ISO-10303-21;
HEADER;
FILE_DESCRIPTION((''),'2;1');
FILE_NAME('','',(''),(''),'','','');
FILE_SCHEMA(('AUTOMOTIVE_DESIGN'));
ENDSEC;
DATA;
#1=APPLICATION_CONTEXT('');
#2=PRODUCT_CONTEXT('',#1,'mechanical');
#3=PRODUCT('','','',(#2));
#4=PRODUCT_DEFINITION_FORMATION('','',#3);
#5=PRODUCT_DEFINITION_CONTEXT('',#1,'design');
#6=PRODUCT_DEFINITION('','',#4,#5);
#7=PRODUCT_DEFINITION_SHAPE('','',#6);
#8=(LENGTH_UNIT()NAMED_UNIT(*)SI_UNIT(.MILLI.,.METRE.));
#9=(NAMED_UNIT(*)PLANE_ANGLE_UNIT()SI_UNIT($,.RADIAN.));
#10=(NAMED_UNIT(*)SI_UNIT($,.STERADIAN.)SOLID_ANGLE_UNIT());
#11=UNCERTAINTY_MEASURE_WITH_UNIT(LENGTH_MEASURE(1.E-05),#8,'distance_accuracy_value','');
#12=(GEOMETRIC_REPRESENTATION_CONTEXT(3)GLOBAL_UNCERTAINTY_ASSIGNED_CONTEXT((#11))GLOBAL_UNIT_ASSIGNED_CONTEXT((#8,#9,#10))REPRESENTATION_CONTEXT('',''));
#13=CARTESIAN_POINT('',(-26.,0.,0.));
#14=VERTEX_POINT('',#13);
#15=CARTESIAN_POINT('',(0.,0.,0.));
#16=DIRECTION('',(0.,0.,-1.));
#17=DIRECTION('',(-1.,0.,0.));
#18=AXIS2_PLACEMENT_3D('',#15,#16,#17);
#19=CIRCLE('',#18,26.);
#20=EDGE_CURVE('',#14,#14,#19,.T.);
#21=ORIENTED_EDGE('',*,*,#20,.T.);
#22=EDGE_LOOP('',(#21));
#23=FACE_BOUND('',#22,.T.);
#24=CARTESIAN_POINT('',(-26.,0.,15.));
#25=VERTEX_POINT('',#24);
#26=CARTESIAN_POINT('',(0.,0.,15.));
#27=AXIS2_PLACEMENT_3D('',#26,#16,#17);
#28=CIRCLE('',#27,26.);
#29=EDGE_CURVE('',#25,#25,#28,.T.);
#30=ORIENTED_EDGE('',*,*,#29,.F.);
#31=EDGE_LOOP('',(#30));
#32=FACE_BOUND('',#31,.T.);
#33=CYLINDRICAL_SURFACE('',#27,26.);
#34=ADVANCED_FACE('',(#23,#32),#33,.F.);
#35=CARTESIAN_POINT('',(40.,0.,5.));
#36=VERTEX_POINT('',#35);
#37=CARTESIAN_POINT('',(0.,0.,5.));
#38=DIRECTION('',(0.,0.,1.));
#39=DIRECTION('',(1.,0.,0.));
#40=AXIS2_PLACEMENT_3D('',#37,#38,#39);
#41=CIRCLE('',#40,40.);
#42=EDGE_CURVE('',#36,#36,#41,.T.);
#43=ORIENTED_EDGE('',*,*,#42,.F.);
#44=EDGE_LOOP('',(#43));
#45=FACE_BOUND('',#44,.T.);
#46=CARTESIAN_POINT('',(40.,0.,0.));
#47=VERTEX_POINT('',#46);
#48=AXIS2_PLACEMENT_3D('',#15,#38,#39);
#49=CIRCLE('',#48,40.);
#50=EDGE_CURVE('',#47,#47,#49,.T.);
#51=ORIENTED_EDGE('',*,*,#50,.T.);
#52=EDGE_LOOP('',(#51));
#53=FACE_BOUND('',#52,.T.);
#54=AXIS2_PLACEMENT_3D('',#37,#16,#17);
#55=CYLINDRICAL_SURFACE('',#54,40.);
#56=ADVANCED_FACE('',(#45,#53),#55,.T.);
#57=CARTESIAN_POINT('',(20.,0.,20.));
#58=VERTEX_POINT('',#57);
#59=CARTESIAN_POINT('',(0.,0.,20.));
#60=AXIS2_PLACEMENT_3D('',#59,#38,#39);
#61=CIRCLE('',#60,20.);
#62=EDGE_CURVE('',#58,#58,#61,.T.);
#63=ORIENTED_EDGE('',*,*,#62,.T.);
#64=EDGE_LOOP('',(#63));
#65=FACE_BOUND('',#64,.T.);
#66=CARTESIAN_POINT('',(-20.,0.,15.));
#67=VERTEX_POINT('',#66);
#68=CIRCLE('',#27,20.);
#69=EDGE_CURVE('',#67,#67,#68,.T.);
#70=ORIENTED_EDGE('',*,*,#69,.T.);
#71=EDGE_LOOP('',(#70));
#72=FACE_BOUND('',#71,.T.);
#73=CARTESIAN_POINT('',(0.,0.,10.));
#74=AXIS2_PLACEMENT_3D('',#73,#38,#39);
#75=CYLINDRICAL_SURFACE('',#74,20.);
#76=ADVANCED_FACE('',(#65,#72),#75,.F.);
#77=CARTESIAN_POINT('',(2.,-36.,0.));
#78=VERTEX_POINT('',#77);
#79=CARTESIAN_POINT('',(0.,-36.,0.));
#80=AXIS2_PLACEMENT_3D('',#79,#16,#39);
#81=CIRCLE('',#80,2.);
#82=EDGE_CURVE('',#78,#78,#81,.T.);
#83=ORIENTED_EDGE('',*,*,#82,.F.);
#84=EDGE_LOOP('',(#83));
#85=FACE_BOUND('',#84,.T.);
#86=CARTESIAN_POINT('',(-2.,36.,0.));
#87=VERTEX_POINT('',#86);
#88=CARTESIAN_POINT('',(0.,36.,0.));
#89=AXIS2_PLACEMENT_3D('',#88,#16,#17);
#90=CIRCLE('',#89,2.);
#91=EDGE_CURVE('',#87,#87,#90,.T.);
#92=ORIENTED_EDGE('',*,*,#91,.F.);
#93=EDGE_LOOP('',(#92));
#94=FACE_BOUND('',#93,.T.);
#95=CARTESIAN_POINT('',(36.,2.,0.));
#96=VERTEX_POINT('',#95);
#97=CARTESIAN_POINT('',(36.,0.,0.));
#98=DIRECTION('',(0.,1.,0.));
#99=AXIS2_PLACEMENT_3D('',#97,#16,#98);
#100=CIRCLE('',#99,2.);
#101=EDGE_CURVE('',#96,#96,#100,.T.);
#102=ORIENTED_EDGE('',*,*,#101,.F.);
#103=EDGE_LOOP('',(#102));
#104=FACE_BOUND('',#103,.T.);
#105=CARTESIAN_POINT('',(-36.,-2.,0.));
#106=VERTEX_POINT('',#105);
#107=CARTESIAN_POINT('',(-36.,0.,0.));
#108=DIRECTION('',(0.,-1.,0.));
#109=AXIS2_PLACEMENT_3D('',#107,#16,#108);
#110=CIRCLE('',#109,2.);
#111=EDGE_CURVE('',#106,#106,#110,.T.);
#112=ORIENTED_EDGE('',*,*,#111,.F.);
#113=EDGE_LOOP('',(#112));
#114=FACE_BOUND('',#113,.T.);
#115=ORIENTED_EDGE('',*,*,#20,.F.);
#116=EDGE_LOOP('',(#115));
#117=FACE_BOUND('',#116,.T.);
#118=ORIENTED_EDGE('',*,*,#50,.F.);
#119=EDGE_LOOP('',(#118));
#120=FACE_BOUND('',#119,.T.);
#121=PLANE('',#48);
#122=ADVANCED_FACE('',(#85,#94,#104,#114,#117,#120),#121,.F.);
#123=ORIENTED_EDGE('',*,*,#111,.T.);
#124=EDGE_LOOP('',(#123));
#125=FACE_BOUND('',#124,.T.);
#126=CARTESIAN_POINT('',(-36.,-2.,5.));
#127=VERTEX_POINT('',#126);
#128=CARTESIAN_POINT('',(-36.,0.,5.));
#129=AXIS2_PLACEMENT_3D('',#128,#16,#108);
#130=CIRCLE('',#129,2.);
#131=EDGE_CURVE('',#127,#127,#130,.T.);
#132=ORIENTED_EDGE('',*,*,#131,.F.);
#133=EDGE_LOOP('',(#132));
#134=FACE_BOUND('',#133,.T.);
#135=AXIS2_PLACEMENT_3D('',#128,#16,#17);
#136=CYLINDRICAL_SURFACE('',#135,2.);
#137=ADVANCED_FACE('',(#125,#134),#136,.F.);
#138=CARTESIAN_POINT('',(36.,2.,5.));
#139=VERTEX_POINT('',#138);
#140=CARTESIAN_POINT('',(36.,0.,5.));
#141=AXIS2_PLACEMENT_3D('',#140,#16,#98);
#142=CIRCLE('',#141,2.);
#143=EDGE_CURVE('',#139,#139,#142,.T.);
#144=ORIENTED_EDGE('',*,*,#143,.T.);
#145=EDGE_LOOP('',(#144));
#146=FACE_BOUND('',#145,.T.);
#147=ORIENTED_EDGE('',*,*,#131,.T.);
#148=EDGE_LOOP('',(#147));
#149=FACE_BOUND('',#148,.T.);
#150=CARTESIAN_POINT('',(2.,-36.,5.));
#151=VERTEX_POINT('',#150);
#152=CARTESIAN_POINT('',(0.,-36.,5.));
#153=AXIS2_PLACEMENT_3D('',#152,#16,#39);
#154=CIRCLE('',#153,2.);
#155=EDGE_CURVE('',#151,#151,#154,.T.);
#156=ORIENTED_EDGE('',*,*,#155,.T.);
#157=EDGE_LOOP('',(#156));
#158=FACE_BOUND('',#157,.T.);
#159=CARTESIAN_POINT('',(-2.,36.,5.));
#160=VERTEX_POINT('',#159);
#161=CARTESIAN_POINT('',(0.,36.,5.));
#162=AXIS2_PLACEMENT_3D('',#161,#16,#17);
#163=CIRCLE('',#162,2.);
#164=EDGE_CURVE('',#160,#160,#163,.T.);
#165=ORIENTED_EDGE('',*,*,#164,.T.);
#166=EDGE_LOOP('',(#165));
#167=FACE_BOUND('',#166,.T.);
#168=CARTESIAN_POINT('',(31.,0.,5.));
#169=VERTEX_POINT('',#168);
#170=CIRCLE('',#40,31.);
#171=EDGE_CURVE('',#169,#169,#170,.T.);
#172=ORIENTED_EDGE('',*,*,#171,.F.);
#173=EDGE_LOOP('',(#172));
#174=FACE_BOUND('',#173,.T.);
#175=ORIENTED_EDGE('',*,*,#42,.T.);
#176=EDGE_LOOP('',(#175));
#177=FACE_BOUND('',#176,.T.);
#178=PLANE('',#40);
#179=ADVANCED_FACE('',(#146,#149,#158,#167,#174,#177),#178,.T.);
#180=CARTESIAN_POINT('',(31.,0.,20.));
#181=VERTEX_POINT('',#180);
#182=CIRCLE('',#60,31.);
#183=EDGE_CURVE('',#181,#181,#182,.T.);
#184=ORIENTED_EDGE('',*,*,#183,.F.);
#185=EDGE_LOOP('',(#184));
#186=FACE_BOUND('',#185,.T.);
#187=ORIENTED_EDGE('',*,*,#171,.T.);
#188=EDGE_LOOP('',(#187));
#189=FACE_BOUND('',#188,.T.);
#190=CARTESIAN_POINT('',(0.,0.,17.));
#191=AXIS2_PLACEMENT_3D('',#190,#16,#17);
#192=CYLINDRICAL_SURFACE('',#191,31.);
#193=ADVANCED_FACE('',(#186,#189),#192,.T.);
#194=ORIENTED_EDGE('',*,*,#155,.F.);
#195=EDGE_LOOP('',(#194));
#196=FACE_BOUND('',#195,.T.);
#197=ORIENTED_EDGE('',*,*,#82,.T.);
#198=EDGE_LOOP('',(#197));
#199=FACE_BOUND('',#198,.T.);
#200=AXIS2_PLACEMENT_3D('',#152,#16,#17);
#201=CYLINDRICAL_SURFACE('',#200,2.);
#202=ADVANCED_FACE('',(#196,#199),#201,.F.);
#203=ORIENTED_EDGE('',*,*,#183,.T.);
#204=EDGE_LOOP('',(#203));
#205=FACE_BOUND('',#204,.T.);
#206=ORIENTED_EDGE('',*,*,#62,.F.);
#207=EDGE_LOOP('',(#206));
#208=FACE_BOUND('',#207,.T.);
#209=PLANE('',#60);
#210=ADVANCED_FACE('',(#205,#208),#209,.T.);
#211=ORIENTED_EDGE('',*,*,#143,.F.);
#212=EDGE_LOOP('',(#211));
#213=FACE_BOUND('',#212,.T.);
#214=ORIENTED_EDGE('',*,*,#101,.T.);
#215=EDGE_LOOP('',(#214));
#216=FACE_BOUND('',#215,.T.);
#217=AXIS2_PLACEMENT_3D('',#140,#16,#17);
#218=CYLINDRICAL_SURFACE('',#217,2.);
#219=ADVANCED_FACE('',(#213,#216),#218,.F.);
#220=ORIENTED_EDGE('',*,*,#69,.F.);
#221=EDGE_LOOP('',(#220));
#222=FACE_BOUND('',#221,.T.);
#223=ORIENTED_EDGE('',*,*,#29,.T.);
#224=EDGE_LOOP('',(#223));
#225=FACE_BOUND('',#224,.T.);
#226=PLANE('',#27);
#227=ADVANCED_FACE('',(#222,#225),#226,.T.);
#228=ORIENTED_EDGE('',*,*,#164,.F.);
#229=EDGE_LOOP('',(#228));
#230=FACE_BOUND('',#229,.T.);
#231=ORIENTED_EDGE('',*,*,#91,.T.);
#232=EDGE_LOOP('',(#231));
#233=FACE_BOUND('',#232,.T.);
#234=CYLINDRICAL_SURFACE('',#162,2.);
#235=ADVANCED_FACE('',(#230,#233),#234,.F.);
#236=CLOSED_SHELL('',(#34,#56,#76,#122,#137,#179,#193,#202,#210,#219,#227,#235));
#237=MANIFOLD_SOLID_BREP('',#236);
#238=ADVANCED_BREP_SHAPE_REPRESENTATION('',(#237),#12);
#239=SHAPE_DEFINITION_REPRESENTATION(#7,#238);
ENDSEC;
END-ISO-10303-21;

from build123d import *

# Parameters (mm, degrees)
SKETCH_1_R               = 40
EXTRUDE_1_DEPTH          = 5
SKETCH_2_R               = 31
EXTRUDE_2_DEPTH          = 12
SKETCH_3_R               = 26
CUT_EXTRUDE_1_DEPTH      = 15
SKETCH_4_R               = 31
EXTRUDE_3_DEPTH          = 3
SKETCH_6_R               = 2
CUT_EXTRUDE_3_DEPTH      = 5
PATTERN_CIRCULAR_1_COUNT = 4
SKETCH_7_R               = 20
CUT_EXTRUDE_4_DEPTH      = 10


with BuildPart() as part:
    # 草图1 → 凸台-拉伸1 (new body)
    with BuildSketch(Plane.XY):
        Circle(SKETCH_1_R)
    extrude(amount=EXTRUDE_1_DEPTH)

    # 草图2 → 凸台-拉伸2 (add)
    with BuildSketch(Plane.XY.offset(5)):
        Circle(SKETCH_2_R)
    extrude(amount=EXTRUDE_2_DEPTH)

    # 草图3 → 切除-拉伸1 (cut)
    with BuildSketch(Plane(origin=(0, 0, 0), x_dir=(-1, 0, 0), z_dir=(0, 0, -1))):
        Circle(SKETCH_3_R)
    extrude(amount=-CUT_EXTRUDE_1_DEPTH, mode=Mode.SUBTRACT)

    # 草图4 → 凸台-拉伸3 (add)
    with BuildSketch(Plane.XY.offset(17)):
        Circle(SKETCH_4_R)
    extrude(amount=EXTRUDE_3_DEPTH)

    # 草图6 → 切除-拉伸3 (cut)
    with BuildSketch(Plane(origin=(0, 0, 0), x_dir=(-1, 0, 0), z_dir=(0, 0, -1))):
        with Locations((0, 36)):
            Circle(SKETCH_6_R)
    cut_extrude_3 = extrude(amount=-CUT_EXTRUDE_3_DEPTH, mode=Mode.SUBTRACT)

    # 阵列(圆周)1: 切除-拉伸3 ×4 about axis
    pattern_circular_1_axis = Axis((0, 0, 0), (0, 0, 1))
    for i in range(1, PATTERN_CIRCULAR_1_COUNT):
        add(cut_extrude_3.rotate(pattern_circular_1_axis, i * 360 / PATTERN_CIRCULAR_1_COUNT), mode=Mode.SUBTRACT)

    # 草图7 → 切除-拉伸4 (cut)
    with BuildSketch(Plane.XY.offset(20)):
        Circle(SKETCH_7_R)
    extrude(amount=-CUT_EXTRUDE_4_DEPTH, mode=Mode.SUBTRACT)


solid = part.part
